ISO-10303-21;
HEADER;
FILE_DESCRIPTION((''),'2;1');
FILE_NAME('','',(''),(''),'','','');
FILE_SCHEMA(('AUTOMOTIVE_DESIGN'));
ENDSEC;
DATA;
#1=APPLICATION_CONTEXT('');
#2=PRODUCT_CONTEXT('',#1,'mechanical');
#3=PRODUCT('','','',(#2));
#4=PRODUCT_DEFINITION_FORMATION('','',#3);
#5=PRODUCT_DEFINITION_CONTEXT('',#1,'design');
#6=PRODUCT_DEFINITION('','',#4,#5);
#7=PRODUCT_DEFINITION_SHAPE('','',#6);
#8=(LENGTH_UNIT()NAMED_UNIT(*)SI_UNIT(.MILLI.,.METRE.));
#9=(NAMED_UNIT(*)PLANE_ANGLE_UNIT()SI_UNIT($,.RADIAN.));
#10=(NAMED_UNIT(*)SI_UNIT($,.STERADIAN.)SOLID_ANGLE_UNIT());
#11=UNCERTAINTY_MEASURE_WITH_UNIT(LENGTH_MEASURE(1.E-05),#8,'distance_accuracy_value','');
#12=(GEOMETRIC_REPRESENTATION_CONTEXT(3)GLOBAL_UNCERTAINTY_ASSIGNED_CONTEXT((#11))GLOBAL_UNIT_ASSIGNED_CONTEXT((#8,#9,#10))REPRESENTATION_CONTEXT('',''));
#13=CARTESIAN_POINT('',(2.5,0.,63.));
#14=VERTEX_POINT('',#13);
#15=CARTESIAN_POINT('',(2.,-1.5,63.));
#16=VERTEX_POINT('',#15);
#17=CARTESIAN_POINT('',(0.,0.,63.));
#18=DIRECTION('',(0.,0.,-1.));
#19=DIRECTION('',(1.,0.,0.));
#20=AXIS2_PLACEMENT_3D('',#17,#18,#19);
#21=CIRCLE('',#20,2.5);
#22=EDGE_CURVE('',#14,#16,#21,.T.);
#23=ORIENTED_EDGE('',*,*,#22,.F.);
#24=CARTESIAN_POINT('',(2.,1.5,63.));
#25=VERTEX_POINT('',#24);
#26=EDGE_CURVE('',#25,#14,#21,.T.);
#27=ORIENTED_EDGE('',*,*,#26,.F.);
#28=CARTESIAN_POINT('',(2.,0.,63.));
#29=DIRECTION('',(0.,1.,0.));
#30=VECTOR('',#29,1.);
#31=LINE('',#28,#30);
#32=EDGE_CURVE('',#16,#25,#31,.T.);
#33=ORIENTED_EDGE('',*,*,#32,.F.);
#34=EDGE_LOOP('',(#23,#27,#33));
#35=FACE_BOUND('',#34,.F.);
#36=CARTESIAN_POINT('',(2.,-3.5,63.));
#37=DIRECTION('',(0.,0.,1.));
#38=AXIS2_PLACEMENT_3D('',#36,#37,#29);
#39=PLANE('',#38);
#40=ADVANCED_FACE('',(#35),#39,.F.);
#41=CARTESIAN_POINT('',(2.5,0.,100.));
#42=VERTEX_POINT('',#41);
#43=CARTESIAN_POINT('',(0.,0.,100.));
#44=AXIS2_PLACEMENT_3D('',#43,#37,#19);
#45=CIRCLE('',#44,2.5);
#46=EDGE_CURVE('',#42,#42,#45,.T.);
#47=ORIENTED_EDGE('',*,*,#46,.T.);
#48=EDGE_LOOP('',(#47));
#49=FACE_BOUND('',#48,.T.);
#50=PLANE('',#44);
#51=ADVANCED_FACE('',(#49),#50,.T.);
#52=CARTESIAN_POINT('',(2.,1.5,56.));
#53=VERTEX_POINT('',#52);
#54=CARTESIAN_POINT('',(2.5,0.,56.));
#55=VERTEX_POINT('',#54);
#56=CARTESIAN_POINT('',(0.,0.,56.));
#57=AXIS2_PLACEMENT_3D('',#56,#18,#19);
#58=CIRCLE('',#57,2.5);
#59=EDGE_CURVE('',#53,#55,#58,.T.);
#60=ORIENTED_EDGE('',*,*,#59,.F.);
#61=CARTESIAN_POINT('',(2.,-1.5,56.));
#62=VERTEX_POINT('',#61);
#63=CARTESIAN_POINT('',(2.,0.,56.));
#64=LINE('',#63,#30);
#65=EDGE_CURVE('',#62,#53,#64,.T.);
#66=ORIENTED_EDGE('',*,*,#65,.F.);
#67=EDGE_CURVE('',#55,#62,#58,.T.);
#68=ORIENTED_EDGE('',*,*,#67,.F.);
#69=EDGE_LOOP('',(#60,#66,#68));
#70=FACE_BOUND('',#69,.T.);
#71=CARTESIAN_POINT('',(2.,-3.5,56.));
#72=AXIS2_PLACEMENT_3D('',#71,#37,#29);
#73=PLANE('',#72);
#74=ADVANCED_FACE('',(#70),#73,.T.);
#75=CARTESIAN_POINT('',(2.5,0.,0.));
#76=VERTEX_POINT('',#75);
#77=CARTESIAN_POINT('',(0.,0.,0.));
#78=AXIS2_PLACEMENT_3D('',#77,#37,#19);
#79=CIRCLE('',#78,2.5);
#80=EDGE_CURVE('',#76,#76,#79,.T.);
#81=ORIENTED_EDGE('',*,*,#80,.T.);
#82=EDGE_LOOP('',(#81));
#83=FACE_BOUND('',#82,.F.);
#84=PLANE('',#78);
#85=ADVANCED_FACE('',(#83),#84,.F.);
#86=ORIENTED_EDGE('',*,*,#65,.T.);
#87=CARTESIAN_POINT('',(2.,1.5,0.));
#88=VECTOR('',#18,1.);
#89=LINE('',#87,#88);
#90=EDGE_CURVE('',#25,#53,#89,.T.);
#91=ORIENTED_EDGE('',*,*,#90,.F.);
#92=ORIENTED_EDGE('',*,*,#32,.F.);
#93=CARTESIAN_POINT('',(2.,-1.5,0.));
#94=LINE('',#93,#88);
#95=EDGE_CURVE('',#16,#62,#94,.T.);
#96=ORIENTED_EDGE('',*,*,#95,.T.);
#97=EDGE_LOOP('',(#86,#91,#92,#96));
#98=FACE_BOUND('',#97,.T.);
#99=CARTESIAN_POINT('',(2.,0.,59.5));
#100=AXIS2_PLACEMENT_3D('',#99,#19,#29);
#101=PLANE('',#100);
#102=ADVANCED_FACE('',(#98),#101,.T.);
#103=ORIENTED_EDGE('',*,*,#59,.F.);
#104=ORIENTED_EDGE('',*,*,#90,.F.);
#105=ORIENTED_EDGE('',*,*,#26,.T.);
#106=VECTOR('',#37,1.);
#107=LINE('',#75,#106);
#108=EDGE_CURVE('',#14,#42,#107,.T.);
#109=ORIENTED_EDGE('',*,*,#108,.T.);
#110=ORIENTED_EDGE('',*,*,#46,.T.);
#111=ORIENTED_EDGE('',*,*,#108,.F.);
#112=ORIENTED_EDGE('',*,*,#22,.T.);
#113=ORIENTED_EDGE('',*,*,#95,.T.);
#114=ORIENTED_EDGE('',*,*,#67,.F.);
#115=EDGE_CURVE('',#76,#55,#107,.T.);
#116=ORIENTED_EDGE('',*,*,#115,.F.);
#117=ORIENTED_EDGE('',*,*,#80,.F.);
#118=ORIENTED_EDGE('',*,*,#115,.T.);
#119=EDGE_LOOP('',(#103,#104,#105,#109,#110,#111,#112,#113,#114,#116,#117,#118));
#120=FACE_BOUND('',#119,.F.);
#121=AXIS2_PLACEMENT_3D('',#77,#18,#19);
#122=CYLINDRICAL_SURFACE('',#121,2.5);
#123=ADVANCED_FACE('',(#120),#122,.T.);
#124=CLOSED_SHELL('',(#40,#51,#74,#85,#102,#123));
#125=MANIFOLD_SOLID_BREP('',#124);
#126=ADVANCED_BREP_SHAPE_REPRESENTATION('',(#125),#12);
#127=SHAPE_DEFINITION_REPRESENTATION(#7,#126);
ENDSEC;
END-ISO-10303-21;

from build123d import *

# Parameters (mm, degrees)
SKETCH001_W  = 7
SKETCH001_H  = 7
PAD001_DEPTH = 2
SKETCH_R     = 2.5
PAD_DEPTH    = 100


with BuildPart() as pad001:
    # Sketch001 → Pad001 (new body)
    with BuildSketch(Plane.YZ.offset(2)):
        with Locations((0, 59.5)):
            Rectangle(SKETCH001_W, SKETCH001_H)
    extrude(amount=PAD001_DEPTH)


with BuildPart() as cut:
    # Sketch → Pad (new body)
    with BuildSketch(Plane.XY):
        Circle(SKETCH_R)
    extrude(amount=PAD_DEPTH)

    # Cut: cut Pad001
    add(pad001.part, mode=Mode.SUBTRACT)


solid = cut.part
